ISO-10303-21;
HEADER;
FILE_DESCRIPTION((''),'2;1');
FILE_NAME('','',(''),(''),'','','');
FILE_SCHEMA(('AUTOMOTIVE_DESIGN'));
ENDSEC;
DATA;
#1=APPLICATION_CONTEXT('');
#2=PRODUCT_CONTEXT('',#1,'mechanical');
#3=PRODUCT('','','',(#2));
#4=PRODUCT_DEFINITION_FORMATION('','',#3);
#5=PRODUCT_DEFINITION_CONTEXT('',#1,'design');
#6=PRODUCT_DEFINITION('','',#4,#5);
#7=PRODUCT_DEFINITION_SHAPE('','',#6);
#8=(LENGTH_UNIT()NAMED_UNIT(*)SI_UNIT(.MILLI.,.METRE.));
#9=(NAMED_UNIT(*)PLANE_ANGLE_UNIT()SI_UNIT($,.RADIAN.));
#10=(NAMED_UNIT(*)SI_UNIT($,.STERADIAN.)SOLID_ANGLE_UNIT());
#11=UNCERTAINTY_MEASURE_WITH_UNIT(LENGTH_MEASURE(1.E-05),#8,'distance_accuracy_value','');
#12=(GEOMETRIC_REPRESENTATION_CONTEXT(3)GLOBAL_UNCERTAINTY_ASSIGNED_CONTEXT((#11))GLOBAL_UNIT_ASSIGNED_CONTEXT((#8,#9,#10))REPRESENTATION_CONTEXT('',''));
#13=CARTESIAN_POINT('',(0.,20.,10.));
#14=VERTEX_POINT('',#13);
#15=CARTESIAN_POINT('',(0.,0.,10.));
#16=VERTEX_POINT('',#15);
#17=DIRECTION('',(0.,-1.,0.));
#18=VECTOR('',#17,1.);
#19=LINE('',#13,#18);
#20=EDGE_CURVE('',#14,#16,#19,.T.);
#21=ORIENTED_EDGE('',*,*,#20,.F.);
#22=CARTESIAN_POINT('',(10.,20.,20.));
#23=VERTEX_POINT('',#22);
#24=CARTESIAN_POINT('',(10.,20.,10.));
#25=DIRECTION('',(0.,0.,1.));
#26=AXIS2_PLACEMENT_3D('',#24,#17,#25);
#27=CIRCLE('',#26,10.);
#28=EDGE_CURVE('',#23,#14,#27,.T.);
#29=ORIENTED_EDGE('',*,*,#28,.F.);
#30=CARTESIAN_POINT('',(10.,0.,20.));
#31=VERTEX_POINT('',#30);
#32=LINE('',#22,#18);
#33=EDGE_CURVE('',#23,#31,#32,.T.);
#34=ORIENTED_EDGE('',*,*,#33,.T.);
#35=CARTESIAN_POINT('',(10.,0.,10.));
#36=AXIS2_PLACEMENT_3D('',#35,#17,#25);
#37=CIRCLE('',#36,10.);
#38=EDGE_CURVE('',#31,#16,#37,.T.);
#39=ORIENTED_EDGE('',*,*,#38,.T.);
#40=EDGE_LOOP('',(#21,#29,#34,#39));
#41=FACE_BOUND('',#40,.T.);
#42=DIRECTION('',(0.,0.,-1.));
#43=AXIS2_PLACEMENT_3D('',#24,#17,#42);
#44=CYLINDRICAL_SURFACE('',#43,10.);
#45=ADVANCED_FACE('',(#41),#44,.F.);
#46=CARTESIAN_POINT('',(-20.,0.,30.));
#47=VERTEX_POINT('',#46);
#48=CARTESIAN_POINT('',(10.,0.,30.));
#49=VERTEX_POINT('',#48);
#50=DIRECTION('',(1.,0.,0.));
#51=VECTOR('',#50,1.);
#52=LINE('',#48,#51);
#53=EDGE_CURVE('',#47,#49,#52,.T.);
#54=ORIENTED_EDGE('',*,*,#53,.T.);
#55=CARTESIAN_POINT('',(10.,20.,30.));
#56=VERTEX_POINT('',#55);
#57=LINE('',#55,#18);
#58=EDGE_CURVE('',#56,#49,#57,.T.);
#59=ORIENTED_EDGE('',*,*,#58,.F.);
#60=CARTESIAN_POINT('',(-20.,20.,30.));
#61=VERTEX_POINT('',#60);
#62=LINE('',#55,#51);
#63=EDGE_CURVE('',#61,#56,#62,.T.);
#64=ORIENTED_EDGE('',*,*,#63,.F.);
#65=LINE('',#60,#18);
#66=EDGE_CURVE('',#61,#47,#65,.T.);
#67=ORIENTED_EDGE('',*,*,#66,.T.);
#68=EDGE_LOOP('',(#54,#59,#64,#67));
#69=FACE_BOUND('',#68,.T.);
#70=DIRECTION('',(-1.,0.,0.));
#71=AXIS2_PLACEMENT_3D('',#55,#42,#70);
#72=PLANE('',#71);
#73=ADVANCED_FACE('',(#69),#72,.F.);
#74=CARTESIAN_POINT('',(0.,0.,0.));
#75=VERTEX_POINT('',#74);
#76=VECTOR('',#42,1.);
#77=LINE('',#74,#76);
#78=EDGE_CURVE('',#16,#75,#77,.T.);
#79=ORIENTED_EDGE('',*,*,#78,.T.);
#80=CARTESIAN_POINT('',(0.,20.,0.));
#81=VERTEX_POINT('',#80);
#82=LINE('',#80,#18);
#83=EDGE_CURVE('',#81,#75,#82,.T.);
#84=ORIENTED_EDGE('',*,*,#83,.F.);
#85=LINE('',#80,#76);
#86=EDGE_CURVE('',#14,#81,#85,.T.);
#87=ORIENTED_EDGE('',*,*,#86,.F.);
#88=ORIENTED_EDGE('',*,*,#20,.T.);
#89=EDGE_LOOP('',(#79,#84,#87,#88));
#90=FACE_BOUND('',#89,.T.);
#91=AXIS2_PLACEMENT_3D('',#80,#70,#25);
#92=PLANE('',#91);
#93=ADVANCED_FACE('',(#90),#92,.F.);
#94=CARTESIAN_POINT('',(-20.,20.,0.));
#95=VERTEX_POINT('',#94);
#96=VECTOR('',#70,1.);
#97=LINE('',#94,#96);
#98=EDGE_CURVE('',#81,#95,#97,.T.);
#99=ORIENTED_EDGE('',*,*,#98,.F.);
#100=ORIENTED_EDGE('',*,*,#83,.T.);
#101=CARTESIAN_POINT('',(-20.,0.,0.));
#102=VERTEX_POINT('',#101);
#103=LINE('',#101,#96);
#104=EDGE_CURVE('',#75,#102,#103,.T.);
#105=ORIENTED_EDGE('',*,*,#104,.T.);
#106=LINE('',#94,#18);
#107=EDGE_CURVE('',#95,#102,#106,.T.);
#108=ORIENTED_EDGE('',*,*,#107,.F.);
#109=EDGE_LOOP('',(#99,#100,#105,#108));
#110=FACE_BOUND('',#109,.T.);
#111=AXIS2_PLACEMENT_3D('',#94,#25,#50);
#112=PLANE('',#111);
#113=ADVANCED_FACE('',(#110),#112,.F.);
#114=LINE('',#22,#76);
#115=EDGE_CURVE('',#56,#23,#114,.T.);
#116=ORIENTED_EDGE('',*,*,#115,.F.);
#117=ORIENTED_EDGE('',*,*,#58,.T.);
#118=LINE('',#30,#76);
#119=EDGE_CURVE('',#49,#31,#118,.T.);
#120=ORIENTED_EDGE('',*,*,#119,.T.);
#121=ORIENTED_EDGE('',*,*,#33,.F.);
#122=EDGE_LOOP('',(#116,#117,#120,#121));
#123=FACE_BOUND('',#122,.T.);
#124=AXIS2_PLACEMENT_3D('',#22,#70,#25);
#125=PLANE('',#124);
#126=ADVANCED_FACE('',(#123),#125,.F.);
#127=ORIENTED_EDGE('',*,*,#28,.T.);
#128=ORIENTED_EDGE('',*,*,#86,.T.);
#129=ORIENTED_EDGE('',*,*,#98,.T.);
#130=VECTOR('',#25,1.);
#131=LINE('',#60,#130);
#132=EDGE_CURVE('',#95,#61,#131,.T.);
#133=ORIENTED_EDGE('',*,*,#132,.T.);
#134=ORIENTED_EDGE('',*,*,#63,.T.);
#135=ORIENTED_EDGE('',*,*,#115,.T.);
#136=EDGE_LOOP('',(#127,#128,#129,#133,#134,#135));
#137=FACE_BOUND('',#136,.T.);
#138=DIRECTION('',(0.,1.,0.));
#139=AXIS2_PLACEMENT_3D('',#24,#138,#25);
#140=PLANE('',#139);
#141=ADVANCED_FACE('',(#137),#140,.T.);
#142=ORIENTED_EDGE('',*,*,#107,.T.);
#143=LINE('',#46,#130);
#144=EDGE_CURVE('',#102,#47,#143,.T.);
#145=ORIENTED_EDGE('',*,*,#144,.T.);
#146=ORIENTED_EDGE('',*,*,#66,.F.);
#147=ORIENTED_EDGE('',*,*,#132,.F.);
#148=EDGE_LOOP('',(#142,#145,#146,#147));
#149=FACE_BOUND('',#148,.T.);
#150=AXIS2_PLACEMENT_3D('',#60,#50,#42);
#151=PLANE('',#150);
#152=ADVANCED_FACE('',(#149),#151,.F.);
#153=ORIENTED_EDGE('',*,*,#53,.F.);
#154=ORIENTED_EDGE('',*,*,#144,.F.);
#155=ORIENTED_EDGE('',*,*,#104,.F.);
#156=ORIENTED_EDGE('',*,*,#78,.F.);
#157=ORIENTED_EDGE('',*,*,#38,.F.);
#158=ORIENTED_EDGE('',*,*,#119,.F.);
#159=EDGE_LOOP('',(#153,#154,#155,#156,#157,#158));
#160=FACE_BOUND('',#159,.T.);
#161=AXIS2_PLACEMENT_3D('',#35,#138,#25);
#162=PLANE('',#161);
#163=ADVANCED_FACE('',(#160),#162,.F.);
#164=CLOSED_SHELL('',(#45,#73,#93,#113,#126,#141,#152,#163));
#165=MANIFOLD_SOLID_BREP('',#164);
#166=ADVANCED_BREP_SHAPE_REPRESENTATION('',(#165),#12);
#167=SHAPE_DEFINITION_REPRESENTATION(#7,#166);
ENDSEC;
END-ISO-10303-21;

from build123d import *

# Parameters (mm, degrees)
BOSS_EXTRUDE1_DEPTH = 20


with BuildPart() as part:
    # Sketch2 → Boss-Extrude1 (new body)
    with BuildSketch(Plane(origin=(0, 0, 0), x_dir=(1, 0, 0), z_dir=(0, 1, 0))):
        with BuildLine():
            Line((0, 0), (0, -10))
            ThreePointArc((0, -10), (2.928932188, -17.071067812), (10, -20))
            Line((10, -20), (10, -30))
            Line((10, -30), (-20, -30))
            Line((-20, -30), (-20, 0))
            Line((-20, 0), (0, 0))
        make_face()
    extrude(amount=BOSS_EXTRUDE1_DEPTH)


solid = part.part
